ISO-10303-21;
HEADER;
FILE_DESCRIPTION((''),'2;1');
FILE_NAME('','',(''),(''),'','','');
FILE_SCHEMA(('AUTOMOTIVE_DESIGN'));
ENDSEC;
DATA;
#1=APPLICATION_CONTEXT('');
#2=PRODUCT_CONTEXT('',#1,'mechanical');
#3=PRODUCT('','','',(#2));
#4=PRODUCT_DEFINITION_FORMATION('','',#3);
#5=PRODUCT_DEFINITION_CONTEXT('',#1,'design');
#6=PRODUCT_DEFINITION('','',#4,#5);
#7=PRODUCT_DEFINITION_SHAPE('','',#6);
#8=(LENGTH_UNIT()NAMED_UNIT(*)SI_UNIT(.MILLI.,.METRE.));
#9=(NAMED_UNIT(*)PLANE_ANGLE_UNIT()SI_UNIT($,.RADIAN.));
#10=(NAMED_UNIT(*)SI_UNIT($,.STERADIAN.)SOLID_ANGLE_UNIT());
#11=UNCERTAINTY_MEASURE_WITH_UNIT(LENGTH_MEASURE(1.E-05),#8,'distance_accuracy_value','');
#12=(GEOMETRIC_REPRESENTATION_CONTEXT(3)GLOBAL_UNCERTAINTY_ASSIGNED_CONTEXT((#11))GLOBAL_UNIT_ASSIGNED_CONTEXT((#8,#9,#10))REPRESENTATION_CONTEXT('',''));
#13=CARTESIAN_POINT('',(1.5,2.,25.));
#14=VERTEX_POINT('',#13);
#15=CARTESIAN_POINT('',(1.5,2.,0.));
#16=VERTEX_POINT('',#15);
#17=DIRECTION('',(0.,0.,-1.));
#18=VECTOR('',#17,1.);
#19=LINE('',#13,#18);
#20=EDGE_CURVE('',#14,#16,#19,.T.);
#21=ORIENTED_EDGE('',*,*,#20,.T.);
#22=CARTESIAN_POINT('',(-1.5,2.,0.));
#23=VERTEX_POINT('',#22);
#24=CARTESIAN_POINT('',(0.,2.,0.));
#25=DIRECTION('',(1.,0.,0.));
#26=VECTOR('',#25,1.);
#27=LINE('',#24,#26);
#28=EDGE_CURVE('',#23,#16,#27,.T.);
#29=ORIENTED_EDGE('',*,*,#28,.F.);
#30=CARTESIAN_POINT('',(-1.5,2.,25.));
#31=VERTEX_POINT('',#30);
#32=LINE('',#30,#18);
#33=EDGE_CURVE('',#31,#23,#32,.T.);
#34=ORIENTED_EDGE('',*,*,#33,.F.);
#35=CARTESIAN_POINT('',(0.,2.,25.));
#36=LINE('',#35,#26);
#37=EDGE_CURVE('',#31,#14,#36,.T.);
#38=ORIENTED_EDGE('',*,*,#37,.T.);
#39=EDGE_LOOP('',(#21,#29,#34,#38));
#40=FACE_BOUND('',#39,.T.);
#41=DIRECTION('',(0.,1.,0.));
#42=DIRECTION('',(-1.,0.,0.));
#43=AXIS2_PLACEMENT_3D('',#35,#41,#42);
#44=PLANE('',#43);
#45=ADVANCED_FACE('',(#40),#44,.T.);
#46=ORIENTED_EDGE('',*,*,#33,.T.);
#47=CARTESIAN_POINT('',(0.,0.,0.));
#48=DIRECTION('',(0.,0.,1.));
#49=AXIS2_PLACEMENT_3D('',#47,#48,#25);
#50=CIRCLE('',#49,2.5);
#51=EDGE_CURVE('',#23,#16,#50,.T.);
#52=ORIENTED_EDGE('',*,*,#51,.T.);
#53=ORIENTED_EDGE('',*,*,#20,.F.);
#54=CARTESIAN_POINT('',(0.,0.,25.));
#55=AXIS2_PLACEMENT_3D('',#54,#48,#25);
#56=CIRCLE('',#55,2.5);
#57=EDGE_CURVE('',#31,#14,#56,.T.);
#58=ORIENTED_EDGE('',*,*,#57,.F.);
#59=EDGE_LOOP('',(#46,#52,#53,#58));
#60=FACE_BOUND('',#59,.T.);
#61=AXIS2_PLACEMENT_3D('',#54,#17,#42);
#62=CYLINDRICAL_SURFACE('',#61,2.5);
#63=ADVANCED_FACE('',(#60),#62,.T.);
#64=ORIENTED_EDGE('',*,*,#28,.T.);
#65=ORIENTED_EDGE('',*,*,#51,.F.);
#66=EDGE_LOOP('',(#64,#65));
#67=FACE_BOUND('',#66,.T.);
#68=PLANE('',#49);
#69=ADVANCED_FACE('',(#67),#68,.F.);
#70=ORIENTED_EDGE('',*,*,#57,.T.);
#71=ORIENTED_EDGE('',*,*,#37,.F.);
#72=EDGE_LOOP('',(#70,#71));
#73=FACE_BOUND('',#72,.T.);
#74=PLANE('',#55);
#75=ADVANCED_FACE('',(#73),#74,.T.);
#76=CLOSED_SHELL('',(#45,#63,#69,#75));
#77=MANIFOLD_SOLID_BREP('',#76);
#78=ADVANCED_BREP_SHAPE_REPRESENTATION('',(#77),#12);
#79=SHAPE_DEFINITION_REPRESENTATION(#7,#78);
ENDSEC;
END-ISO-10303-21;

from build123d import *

# Parameters (mm, degrees)
BOSS_EXTRUDE1_DEPTH = 25


with BuildPart() as part:
    # Sketch1 → Boss-Extrude1 (new body)
    with BuildSketch(Plane.XY):
        with BuildLine():
            Line((1.5, 2), (-1.5, 2))
            ThreePointArc((-1.5, 2), (0, -2.5), (1.5, 2))
        make_face()
    extrude(amount=BOSS_EXTRUDE1_DEPTH)


solid = part.part
